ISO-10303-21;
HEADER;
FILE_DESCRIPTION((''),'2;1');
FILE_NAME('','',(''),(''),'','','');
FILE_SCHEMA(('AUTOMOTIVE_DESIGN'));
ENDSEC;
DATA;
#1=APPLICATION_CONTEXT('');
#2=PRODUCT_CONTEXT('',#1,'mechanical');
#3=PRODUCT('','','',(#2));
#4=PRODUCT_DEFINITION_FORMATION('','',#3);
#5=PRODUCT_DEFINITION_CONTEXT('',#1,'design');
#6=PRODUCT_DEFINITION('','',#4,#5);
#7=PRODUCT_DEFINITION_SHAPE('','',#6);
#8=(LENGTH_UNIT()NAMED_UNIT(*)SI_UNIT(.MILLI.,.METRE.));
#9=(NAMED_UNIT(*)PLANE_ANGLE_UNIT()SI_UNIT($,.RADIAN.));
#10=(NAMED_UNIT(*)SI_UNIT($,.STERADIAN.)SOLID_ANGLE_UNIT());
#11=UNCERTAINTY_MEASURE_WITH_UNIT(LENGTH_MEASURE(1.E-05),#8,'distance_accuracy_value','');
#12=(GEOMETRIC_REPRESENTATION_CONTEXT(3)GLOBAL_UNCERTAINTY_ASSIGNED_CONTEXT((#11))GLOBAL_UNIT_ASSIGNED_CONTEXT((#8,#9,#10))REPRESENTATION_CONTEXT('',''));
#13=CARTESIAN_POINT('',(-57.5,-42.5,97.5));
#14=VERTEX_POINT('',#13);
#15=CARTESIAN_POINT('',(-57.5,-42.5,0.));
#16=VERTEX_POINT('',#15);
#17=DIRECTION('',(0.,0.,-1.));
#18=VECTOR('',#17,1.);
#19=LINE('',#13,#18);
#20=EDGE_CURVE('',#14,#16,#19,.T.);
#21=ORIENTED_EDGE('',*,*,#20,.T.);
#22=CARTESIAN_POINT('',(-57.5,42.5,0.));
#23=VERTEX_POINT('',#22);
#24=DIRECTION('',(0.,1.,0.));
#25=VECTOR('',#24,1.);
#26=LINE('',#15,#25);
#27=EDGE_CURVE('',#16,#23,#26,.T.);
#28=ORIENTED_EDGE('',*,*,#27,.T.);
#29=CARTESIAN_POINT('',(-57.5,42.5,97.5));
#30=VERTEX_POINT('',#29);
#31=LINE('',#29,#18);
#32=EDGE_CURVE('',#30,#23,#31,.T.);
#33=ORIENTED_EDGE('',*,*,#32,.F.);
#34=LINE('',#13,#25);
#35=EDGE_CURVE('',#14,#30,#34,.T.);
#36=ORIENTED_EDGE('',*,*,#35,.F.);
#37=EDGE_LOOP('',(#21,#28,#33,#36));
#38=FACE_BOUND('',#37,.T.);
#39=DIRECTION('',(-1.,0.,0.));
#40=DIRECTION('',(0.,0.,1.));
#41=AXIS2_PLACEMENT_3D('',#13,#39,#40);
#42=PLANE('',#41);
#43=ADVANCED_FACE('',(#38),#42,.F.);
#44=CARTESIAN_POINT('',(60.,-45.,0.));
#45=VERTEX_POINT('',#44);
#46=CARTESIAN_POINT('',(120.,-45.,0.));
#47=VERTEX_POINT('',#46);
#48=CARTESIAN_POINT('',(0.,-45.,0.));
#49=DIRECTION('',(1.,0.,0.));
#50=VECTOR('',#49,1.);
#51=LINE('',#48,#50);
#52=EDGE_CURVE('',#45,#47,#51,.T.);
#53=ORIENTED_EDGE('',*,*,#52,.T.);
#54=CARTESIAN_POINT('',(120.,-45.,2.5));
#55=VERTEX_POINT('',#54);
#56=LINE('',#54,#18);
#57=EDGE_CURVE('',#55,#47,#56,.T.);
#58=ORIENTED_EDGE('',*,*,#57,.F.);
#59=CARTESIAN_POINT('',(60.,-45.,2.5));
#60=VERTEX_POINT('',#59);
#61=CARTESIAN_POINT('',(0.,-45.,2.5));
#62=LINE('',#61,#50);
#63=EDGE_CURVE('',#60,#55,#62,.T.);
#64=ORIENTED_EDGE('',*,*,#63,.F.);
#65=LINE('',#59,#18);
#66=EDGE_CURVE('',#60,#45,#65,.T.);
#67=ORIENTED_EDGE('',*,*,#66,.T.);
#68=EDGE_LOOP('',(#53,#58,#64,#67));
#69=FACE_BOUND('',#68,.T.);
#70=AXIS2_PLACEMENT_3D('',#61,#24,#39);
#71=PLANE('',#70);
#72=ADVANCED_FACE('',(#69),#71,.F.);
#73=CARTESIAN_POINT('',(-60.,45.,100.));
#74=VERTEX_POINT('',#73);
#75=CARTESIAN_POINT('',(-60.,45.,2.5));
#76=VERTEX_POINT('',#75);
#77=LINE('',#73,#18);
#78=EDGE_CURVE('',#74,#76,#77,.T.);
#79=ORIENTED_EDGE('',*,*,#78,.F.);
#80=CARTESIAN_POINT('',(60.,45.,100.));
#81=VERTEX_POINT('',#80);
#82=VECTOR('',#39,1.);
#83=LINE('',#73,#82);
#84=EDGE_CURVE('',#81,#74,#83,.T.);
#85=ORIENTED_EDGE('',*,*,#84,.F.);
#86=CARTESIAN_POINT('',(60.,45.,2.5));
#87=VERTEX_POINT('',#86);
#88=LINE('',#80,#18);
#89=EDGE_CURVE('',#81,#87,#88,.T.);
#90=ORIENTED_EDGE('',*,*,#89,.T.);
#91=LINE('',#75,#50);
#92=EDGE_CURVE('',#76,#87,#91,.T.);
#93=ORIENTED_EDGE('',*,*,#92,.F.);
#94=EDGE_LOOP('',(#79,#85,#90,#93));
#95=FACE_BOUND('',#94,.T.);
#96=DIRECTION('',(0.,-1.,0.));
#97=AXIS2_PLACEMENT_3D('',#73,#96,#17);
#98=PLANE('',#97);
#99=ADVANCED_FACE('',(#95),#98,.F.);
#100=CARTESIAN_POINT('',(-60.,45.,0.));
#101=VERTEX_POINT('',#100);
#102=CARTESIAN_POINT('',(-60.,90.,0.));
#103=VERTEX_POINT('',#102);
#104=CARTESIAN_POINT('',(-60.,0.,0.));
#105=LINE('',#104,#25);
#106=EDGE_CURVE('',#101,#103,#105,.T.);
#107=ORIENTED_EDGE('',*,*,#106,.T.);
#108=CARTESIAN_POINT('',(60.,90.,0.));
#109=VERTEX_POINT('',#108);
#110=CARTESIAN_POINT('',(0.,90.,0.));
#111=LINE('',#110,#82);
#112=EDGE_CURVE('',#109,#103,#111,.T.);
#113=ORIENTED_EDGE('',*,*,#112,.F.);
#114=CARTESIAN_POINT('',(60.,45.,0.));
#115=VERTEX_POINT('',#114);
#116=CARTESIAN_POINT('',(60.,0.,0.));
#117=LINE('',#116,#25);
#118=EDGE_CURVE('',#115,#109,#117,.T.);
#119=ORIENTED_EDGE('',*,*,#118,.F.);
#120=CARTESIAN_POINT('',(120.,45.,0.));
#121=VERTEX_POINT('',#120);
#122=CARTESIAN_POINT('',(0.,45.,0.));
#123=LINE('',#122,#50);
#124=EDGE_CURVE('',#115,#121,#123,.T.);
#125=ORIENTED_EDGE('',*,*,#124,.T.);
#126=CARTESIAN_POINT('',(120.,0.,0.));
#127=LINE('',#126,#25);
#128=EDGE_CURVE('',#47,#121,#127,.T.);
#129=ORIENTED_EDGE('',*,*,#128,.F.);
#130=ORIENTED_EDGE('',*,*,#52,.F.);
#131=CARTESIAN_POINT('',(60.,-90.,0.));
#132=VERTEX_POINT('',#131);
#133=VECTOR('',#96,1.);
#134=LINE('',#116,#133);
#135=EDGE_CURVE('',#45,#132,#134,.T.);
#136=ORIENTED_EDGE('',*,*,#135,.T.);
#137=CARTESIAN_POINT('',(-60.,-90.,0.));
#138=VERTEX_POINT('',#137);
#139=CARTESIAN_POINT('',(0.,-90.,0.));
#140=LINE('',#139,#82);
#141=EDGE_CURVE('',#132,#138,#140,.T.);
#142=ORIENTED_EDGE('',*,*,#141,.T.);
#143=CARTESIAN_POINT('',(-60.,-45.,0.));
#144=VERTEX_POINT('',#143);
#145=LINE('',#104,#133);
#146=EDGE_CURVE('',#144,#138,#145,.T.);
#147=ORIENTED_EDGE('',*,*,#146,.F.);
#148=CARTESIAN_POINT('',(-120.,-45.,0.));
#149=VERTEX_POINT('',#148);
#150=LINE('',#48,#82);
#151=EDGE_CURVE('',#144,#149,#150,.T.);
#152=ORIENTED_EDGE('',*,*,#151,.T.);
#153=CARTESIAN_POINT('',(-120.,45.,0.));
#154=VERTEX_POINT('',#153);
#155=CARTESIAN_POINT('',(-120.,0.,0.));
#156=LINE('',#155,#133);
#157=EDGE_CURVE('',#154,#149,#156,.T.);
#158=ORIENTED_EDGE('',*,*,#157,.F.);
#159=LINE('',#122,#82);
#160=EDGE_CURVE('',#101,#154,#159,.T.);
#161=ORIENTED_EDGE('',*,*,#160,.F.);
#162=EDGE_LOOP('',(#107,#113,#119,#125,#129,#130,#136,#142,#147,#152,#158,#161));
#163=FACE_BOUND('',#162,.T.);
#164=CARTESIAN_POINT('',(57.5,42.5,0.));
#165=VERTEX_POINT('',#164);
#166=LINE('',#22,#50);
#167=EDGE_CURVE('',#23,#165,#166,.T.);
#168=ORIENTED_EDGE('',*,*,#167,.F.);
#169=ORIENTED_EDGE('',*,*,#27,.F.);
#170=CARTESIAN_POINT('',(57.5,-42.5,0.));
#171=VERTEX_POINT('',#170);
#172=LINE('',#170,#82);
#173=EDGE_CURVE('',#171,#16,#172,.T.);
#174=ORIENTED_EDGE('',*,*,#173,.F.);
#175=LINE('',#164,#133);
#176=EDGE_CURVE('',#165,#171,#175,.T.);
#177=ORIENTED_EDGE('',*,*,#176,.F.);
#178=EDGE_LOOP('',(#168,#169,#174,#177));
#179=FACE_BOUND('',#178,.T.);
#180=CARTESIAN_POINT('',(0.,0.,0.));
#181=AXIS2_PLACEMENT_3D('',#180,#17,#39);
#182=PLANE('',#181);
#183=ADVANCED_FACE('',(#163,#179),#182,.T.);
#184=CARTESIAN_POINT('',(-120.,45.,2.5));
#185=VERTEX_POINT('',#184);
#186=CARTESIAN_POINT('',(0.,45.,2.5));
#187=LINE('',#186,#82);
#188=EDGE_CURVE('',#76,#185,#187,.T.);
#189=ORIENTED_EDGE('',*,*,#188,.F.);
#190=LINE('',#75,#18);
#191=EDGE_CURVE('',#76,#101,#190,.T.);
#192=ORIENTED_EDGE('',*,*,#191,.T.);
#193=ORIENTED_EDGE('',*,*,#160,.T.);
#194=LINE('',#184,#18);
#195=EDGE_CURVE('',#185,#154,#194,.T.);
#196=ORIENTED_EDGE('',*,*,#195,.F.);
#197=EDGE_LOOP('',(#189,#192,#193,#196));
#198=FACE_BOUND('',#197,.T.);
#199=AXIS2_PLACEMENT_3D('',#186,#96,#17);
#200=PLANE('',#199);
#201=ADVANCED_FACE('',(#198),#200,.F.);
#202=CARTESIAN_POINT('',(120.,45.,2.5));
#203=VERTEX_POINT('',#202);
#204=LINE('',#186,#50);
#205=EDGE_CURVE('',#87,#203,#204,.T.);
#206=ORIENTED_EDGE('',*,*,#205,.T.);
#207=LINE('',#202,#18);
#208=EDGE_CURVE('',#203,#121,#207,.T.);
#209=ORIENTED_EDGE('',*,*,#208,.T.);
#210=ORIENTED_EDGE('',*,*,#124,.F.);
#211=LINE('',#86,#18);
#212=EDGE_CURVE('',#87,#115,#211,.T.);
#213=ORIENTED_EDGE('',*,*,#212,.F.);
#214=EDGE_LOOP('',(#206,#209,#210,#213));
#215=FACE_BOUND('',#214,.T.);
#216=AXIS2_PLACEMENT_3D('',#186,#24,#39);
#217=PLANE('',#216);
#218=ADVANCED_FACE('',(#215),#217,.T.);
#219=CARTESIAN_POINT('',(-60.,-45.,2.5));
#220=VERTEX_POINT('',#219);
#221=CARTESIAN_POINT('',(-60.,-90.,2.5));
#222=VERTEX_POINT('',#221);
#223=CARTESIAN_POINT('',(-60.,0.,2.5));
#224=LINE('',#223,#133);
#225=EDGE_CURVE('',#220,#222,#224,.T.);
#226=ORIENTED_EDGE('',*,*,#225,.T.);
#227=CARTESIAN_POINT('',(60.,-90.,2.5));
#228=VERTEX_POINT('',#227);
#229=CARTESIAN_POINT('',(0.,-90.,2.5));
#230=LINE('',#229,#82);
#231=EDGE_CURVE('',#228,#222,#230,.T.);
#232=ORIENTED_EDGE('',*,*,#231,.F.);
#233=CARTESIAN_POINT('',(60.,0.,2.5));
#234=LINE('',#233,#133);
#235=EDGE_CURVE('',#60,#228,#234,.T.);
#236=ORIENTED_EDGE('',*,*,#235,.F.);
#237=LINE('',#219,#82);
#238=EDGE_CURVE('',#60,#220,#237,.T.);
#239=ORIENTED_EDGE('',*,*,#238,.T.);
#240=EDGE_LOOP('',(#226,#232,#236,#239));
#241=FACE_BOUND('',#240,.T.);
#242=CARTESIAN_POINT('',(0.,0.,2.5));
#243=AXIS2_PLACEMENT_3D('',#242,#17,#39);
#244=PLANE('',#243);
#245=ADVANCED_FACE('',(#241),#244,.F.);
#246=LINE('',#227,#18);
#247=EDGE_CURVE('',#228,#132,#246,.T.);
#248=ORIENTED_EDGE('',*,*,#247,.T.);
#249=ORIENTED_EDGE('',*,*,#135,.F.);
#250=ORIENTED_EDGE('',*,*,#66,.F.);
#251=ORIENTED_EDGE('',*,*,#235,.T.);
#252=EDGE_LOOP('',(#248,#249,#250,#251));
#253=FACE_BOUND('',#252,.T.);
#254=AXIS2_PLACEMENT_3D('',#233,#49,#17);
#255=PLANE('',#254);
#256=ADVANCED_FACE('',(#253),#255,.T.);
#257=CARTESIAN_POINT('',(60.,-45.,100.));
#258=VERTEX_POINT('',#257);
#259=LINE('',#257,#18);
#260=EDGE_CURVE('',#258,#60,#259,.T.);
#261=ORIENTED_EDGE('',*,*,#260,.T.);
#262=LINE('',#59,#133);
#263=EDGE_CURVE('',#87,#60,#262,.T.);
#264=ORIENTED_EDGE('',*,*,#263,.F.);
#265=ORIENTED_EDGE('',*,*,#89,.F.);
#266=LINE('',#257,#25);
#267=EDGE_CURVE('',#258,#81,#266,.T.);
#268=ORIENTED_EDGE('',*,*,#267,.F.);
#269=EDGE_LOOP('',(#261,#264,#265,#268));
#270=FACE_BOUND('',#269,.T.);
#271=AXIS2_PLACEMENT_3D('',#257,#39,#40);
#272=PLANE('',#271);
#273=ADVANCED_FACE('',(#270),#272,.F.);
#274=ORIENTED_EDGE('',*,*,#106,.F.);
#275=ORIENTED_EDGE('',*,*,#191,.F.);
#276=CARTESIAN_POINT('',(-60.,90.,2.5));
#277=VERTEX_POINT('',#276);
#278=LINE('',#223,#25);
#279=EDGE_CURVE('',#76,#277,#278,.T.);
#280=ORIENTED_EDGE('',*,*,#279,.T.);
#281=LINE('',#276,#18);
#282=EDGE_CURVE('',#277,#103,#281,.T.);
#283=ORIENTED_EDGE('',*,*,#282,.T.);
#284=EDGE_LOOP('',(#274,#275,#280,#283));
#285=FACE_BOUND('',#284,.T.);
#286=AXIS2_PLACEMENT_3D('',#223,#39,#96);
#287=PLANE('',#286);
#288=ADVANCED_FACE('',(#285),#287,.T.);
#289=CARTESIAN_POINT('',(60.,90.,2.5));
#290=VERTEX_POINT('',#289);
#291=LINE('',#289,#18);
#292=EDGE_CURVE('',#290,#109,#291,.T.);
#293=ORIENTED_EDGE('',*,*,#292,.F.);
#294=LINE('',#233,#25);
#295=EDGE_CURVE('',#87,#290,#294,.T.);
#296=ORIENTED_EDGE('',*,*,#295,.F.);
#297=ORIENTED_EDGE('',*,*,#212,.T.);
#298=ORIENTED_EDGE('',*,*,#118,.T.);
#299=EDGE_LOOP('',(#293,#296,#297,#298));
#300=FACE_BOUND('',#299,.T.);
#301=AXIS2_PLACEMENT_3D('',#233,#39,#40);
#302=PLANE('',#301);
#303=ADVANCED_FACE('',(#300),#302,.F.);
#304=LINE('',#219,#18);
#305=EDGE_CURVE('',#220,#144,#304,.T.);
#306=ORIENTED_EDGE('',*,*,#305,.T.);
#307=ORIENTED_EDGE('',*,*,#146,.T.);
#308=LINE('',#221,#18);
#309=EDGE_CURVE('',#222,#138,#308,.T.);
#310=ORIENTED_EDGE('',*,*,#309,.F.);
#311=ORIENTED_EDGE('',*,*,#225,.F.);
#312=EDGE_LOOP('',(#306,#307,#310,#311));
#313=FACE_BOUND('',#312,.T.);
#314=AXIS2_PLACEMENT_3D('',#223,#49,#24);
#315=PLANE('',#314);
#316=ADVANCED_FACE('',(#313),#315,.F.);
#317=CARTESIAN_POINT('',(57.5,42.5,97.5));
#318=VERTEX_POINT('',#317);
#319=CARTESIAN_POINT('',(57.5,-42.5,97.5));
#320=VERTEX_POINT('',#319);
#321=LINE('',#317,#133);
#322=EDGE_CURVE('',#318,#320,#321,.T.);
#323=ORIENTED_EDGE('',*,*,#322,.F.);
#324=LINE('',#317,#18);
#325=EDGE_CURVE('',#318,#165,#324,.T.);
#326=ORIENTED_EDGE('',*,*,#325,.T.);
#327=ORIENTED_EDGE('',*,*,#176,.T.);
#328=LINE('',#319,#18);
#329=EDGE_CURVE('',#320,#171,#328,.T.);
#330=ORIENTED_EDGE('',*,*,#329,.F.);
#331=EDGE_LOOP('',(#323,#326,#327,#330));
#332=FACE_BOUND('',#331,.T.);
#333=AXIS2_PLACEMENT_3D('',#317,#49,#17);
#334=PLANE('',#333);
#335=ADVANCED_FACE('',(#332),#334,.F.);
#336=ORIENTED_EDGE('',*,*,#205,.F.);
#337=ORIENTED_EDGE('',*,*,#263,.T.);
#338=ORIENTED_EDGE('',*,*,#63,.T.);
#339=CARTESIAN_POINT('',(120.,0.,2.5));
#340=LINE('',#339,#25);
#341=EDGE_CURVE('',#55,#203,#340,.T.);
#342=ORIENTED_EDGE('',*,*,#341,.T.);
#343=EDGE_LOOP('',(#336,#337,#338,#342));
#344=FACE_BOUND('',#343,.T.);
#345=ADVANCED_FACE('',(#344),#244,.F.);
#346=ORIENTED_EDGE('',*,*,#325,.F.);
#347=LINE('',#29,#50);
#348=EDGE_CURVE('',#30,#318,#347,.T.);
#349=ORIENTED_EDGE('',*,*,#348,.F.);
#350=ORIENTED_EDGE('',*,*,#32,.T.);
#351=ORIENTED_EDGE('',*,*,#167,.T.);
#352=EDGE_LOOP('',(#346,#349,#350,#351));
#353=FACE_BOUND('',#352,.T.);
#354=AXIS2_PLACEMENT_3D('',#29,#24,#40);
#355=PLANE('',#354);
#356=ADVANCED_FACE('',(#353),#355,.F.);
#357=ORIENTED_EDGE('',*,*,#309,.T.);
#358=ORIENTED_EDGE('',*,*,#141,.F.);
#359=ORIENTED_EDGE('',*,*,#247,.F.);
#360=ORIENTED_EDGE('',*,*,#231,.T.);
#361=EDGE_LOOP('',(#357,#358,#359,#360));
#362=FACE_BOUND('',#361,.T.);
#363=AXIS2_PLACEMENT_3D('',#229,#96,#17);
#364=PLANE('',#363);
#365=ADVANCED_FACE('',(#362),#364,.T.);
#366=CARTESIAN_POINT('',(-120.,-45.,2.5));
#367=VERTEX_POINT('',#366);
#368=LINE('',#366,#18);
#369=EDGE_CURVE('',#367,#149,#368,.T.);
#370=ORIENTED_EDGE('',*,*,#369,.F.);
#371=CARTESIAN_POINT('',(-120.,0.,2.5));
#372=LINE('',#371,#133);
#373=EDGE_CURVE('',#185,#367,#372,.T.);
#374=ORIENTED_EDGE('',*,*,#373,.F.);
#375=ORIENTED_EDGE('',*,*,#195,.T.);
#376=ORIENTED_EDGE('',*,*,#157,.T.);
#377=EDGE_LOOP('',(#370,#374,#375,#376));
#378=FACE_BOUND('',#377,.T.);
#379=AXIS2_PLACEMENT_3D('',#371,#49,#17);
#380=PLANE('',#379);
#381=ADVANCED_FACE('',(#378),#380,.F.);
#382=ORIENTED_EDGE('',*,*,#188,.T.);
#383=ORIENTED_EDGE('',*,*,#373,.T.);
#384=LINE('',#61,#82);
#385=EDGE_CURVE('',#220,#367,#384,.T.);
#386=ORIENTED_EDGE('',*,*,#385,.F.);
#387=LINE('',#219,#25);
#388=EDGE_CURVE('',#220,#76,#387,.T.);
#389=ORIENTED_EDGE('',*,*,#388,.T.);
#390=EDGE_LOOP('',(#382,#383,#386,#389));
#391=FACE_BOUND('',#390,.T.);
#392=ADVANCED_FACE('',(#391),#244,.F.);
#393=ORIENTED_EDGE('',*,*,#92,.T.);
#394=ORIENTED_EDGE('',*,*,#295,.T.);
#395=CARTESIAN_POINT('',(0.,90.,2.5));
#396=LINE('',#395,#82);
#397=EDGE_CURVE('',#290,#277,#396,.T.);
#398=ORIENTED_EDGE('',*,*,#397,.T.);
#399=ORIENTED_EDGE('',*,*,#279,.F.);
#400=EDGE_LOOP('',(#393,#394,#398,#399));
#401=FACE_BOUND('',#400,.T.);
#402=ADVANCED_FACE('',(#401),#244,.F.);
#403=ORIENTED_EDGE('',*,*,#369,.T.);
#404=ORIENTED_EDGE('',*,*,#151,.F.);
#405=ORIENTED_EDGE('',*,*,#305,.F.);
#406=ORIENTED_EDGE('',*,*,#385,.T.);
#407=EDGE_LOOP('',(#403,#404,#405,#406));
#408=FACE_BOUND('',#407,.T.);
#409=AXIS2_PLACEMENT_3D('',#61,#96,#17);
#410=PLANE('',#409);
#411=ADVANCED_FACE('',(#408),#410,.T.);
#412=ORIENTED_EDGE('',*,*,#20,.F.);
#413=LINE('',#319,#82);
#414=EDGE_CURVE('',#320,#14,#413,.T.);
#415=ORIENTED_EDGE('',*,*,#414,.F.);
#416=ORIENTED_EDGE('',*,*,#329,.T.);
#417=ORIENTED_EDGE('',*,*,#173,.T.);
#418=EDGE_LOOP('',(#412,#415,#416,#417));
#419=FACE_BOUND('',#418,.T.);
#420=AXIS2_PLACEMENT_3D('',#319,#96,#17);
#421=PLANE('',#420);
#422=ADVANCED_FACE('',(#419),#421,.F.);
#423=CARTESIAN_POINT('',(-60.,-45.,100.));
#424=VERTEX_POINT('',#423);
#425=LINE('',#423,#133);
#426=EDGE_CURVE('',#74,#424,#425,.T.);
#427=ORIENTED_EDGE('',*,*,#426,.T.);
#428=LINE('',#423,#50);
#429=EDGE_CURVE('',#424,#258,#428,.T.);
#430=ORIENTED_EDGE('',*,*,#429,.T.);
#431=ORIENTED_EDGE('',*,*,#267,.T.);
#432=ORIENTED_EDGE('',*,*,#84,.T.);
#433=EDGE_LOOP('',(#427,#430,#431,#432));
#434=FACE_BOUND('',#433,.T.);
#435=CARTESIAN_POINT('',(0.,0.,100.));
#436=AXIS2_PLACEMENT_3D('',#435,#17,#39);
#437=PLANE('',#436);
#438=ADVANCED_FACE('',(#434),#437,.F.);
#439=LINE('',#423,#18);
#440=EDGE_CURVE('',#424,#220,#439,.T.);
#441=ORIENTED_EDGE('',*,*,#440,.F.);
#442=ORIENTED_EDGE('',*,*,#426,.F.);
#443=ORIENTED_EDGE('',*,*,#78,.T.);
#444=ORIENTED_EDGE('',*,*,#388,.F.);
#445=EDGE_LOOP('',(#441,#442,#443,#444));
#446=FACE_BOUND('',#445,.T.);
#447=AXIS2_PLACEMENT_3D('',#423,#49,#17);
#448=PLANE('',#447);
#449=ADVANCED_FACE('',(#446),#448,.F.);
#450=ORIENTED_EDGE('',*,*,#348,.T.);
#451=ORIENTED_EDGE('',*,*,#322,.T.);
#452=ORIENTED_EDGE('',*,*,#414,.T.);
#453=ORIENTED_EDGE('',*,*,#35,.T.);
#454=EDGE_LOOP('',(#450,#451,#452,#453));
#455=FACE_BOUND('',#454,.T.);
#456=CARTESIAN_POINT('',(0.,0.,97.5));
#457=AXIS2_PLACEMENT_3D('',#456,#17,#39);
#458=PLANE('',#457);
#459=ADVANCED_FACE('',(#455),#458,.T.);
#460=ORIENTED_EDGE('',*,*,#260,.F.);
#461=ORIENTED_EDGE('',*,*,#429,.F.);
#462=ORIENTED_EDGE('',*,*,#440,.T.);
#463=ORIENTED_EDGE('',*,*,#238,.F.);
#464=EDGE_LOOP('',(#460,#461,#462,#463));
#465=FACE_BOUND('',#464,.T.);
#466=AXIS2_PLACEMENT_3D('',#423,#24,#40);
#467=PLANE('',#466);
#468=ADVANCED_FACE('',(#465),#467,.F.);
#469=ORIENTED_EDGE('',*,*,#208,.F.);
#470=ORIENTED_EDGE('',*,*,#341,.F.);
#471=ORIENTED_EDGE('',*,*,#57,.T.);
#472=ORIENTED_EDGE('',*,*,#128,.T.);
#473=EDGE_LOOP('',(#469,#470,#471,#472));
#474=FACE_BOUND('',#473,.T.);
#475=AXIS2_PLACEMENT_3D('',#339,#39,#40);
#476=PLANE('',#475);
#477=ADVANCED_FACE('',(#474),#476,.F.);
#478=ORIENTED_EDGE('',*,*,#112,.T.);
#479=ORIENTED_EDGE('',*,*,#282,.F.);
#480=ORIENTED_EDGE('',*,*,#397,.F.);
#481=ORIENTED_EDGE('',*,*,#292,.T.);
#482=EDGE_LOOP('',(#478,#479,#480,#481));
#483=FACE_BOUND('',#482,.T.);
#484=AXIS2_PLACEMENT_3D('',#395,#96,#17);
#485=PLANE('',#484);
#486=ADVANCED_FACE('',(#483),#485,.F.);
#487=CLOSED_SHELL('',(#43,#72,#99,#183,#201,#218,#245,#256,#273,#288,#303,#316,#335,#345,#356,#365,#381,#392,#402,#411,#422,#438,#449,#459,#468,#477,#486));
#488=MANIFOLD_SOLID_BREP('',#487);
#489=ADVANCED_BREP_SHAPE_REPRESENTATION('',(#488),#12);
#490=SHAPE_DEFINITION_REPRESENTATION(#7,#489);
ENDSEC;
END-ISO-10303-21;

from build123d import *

# Parameters (mm, degrees)
CROQUIS1_W              = 120
CROQUIS1_H              = 90
SALIENTE_EXTRUIR1_DEPTH = 100
CROQUIS2_W              = 115
CROQUIS2_H              = 85
CORTAR_EXTRUIR1_DEPTH   = 97.5
CROQUIS3_W              = 60
CROQUIS3_H              = 90
CROQUIS3_W_2            = 120
CROQUIS3_H_2            = 45
CROQUIS3_W_3            = 115
CROQUIS3_H_3            = 85
SALIENTE_EXTRUIR2_DEPTH = 2.5


with BuildPart() as part:
    # Croquis1 → Saliente-Extruir1 (new body)
    with BuildSketch(Plane.XY):
        Rectangle(CROQUIS1_W, CROQUIS1_H)
    extrude(amount=SALIENTE_EXTRUIR1_DEPTH)

    # Croquis2 → Cortar-Extruir1 (cut)
    with BuildSketch(Plane(origin=(0, 0, 0), x_dir=(-1, 0, 0), z_dir=(0, 0, -1))):
        Rectangle(CROQUIS2_W, CROQUIS2_H)
    extrude(amount=-CORTAR_EXTRUIR1_DEPTH, mode=Mode.SUBTRACT)

    # Croquis3 → Saliente-Extruir2 (add)
    # profile 1 of 5: a face of its own
    with BuildSketch(Plane(origin=(0, 0, 0), x_dir=(-1, 0, 0), z_dir=(0, 0, -1))):
        with Locations((-90, 0)):
            Rectangle(CROQUIS3_W, CROQUIS3_H)
    # profile 2 of 5: a face of its own
    with BuildSketch(Plane(origin=(0, 0, 0), x_dir=(-1, 0, 0), z_dir=(0, 0, -1))):
        with Locations((0, 67.5)):
            Rectangle(CROQUIS3_W_2, CROQUIS3_H_2)
    # profile 3 of 5: a face of its own
    with BuildSketch(Plane(origin=(0, 0, 0), x_dir=(-1, 0, 0), z_dir=(0, 0, -1))):
        Rectangle(CROQUIS3_W_2, CROQUIS3_H)
        Rectangle(CROQUIS3_W_3, CROQUIS3_H_3, mode=Mode.SUBTRACT)
    # profile 4 of 5: a face of its own
    with BuildSketch(Plane(origin=(0, 0, 0), x_dir=(-1, 0, 0), z_dir=(0, 0, -1))):
        with Locations((90, 0)):
            Rectangle(CROQUIS3_W, CROQUIS3_H)
    # profile 5 of 5: a face of its own
    with BuildSketch(Plane(origin=(0, 0, 0), x_dir=(-1, 0, 0), z_dir=(0, 0, -1))):
        with Locations((0, -67.5)):
            Rectangle(CROQUIS3_W_2, CROQUIS3_H_2)
    extrude(amount=-SALIENTE_EXTRUIR2_DEPTH)


solid = part.part
